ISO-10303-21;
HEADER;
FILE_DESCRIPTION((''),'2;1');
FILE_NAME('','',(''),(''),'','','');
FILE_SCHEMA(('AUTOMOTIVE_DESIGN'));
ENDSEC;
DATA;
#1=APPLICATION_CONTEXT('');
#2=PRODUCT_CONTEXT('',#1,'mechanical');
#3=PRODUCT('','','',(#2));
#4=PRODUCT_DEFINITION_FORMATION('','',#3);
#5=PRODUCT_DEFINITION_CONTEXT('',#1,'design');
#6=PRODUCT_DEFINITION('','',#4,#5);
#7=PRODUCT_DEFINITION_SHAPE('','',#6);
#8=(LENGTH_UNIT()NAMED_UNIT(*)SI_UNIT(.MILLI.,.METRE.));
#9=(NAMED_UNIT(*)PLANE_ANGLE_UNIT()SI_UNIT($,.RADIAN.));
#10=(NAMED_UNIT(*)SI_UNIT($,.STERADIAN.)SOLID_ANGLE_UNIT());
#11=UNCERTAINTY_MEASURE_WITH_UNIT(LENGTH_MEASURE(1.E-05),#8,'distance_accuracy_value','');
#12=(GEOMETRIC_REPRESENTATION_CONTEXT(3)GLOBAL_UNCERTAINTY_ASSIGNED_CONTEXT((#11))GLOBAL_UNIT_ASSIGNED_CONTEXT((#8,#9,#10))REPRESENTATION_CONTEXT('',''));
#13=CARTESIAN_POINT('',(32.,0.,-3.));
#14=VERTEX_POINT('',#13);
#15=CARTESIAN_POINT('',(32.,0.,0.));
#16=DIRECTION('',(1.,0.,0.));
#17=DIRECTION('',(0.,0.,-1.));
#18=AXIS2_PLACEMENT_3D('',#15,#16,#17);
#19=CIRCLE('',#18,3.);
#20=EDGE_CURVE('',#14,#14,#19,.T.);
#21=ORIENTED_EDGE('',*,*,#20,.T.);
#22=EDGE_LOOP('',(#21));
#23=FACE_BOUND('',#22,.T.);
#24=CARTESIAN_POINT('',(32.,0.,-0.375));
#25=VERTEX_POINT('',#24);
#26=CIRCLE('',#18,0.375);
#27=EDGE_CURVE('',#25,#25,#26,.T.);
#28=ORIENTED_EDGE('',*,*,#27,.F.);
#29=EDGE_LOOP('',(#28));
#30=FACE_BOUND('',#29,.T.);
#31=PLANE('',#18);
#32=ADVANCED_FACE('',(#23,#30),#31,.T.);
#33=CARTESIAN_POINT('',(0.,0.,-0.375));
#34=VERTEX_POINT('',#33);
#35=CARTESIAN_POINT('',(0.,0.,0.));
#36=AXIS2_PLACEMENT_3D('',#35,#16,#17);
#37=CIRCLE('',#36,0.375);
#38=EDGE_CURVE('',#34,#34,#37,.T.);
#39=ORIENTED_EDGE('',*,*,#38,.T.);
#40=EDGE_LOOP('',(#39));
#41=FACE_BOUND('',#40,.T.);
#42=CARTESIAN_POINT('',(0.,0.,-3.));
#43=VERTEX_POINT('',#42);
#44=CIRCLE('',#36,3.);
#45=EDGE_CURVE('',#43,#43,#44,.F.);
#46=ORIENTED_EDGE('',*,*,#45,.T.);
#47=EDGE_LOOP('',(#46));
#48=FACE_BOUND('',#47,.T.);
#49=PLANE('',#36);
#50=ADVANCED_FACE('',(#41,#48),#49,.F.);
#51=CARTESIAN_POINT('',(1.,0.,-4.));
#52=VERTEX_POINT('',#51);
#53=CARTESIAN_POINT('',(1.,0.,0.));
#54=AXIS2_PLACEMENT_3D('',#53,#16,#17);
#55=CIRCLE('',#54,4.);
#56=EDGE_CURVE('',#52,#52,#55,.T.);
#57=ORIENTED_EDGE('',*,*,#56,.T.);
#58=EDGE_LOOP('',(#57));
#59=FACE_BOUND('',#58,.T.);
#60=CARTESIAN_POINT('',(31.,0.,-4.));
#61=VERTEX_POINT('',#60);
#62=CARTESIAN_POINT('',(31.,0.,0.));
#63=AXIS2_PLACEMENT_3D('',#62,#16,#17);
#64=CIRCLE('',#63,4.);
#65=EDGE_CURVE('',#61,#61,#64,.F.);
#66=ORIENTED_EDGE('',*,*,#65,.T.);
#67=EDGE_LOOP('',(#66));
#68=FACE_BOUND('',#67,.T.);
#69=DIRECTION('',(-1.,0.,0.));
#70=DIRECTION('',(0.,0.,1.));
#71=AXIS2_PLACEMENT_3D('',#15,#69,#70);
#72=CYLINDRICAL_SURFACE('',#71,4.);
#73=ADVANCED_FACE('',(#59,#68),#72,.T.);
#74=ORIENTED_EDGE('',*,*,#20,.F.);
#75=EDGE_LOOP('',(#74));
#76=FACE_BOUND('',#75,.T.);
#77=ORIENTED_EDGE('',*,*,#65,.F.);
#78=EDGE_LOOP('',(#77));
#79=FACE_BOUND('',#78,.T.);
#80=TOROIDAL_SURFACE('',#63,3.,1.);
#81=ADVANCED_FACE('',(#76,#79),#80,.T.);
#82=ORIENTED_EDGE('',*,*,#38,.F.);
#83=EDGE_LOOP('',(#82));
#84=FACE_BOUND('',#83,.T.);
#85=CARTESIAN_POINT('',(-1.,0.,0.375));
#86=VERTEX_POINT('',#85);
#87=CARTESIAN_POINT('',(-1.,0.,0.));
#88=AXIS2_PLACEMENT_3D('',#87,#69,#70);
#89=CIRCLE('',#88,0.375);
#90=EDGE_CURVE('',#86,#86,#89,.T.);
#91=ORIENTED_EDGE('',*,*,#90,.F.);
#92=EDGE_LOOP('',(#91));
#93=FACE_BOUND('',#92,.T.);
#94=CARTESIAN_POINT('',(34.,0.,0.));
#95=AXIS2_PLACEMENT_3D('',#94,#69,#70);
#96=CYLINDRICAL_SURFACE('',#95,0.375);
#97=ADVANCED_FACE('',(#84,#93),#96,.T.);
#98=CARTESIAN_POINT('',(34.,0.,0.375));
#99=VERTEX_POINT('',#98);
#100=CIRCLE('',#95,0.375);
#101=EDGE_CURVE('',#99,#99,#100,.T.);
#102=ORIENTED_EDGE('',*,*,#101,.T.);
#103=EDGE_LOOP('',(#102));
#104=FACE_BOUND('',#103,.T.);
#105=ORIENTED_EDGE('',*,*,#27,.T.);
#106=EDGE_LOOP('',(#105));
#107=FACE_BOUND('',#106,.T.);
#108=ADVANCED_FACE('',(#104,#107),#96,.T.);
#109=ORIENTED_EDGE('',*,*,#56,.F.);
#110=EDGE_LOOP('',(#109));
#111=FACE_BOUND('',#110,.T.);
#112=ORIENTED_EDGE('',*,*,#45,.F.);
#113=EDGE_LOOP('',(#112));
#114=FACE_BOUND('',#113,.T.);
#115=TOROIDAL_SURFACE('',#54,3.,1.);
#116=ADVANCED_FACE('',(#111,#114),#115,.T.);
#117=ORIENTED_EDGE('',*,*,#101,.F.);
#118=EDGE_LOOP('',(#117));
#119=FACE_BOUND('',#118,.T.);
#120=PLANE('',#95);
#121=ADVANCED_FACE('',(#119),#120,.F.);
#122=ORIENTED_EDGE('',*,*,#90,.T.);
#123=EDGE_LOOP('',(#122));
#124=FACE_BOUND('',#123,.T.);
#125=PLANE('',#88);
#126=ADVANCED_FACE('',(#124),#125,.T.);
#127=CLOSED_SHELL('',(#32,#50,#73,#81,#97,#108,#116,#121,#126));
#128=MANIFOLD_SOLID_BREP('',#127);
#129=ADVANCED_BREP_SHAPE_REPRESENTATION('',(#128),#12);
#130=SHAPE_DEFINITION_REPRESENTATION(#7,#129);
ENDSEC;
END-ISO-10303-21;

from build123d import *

# Parameters (mm, degrees)
SKETCH_3_R           = 4
EXTRUDE_1_DEPTH      = 32
FILLET_1_R           = 1
EXTRUDE_2_DEPTH      = 1
EXTRUDE_2_DEPTH_BACK = 34
SKETCH_4_R           = 0.375


with BuildPart() as part:
    # 草图3 → 凸台-拉伸1 (new body)
    with BuildSketch(Plane(origin=(0, 0, 0), x_dir=(0, 0, -1), z_dir=(1, 0, 0))):
        Circle(SKETCH_3_R)
    extrude(amount=EXTRUDE_1_DEPTH)

    # 圆角1
    fillet_1_edges = [part.edges().sort_by_distance(p)[0] for p in [
        (0, 0, 4),
        (32, 0, 4),
    ]]
    fillet(fillet_1_edges, radius=FILLET_1_R)

    # 草图4 → 凸台-拉伸2 (add, two sides: drawn at the far end of the back side and taken through both)
    with BuildSketch(Plane.ZY.offset(-EXTRUDE_2_DEPTH_BACK)):
        Circle(SKETCH_4_R)
    extrude(amount=EXTRUDE_2_DEPTH + EXTRUDE_2_DEPTH_BACK)


solid = part.part
